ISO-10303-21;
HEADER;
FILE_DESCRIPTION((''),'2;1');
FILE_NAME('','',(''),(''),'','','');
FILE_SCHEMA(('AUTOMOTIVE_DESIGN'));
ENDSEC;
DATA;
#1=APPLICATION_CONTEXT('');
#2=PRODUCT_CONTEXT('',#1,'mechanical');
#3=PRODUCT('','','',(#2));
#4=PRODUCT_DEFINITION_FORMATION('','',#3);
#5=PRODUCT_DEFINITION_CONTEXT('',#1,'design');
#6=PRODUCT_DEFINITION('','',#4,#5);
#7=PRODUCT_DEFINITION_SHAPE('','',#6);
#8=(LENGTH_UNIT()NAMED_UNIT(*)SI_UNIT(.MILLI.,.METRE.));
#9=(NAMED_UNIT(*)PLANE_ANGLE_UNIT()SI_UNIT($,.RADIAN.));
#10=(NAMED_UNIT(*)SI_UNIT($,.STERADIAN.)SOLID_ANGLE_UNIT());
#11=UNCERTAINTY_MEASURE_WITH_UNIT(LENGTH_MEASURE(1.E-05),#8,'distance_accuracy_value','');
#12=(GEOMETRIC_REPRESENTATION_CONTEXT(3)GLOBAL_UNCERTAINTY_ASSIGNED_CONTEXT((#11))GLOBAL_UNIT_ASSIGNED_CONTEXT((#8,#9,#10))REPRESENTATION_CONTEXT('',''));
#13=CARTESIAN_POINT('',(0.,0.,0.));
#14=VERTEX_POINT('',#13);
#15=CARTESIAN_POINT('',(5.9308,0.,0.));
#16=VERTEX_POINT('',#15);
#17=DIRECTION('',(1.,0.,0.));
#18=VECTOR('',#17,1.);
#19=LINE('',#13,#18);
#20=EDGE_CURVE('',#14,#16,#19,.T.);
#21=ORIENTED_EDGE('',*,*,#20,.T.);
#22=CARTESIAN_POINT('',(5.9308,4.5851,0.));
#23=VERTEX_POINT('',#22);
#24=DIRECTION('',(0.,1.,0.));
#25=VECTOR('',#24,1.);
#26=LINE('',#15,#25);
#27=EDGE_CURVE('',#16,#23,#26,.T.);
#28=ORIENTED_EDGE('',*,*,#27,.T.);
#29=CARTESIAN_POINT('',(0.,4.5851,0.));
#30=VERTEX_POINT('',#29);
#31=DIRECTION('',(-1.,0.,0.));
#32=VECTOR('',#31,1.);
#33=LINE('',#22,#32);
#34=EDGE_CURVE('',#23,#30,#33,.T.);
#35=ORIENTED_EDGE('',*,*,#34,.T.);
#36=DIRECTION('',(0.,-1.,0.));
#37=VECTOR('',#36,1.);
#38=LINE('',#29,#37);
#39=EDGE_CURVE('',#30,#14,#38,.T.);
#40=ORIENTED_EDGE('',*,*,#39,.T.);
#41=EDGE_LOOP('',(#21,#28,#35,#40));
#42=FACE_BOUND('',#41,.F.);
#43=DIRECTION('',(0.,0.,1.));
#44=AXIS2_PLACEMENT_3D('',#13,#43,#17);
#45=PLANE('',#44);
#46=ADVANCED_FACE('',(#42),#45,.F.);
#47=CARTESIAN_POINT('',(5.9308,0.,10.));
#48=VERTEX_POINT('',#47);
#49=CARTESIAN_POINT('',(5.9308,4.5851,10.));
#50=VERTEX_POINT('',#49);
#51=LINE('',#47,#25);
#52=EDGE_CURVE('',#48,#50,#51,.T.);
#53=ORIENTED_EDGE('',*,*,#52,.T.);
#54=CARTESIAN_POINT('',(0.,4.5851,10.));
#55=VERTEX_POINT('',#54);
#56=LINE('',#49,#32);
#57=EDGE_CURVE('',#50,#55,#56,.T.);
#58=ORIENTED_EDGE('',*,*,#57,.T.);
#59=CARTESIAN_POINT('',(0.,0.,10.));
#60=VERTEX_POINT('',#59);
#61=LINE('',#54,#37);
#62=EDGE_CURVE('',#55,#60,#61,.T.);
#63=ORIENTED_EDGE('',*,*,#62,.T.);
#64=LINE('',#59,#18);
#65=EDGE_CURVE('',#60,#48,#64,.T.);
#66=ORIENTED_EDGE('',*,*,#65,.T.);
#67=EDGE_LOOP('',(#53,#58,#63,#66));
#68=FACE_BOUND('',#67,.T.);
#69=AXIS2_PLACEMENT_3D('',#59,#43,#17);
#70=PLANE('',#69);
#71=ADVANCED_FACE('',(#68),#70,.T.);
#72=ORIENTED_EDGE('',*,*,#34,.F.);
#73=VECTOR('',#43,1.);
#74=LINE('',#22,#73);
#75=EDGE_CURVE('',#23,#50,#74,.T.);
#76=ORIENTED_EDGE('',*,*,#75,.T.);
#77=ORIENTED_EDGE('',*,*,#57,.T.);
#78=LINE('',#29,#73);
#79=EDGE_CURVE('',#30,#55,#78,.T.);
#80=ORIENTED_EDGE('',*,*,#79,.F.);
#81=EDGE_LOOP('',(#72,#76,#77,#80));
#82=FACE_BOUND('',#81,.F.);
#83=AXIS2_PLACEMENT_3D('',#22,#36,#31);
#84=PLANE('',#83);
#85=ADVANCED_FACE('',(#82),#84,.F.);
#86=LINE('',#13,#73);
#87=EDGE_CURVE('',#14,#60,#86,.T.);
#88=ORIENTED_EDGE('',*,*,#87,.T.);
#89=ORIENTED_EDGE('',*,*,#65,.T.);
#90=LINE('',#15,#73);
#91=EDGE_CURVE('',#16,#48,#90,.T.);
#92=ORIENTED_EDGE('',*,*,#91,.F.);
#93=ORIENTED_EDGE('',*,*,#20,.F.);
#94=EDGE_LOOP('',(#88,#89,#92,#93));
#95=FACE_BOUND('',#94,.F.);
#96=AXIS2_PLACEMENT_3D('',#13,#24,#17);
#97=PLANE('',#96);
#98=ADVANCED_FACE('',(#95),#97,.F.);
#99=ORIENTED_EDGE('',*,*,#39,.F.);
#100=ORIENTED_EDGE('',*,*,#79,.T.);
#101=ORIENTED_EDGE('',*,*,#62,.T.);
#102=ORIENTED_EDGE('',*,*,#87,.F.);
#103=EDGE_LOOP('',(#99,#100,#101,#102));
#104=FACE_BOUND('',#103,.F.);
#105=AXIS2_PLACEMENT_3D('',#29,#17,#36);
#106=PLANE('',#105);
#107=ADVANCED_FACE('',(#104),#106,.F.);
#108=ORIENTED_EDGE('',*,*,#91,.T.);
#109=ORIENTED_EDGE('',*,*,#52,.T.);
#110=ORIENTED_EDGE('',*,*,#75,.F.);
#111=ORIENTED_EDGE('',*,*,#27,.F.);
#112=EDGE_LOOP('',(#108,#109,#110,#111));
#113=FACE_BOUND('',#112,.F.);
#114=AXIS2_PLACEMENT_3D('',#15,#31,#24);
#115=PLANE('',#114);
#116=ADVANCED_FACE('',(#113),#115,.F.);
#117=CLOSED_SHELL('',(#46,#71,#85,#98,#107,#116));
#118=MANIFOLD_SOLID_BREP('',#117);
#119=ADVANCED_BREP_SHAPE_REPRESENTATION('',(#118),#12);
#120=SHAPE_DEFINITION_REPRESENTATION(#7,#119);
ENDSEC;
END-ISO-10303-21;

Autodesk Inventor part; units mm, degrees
ref_plane "YZ Plane" through (0, 0, 0) normal (1, 0, 0) x (0, 1, 0)
ref_plane "XZ Plane" through (0, 0, 0) normal (0, 1, 0) x (-1, 0, 0)
ref_plane "XY Plane" through (0, 0, 0) normal (0, 0, 1) x (1, 0, 0)
sketch "Náčrt1" plane through (0, 0, 0) normal (0, 0, 1) x (1, 0, 0)
  line L0 (0, 0) -> (5.9308, 0)
  line L1 (5.9308, 0) -> (5.9308, 4.5851)
  line L2 (5.9308, 4.5851) -> (0, 4.5851)
  line L3 (0, 4.5851) -> (0, 0)
extrude "Vysunutí1" add sketch "Náčrt1" along normal blind 10
properties part number "prop"
